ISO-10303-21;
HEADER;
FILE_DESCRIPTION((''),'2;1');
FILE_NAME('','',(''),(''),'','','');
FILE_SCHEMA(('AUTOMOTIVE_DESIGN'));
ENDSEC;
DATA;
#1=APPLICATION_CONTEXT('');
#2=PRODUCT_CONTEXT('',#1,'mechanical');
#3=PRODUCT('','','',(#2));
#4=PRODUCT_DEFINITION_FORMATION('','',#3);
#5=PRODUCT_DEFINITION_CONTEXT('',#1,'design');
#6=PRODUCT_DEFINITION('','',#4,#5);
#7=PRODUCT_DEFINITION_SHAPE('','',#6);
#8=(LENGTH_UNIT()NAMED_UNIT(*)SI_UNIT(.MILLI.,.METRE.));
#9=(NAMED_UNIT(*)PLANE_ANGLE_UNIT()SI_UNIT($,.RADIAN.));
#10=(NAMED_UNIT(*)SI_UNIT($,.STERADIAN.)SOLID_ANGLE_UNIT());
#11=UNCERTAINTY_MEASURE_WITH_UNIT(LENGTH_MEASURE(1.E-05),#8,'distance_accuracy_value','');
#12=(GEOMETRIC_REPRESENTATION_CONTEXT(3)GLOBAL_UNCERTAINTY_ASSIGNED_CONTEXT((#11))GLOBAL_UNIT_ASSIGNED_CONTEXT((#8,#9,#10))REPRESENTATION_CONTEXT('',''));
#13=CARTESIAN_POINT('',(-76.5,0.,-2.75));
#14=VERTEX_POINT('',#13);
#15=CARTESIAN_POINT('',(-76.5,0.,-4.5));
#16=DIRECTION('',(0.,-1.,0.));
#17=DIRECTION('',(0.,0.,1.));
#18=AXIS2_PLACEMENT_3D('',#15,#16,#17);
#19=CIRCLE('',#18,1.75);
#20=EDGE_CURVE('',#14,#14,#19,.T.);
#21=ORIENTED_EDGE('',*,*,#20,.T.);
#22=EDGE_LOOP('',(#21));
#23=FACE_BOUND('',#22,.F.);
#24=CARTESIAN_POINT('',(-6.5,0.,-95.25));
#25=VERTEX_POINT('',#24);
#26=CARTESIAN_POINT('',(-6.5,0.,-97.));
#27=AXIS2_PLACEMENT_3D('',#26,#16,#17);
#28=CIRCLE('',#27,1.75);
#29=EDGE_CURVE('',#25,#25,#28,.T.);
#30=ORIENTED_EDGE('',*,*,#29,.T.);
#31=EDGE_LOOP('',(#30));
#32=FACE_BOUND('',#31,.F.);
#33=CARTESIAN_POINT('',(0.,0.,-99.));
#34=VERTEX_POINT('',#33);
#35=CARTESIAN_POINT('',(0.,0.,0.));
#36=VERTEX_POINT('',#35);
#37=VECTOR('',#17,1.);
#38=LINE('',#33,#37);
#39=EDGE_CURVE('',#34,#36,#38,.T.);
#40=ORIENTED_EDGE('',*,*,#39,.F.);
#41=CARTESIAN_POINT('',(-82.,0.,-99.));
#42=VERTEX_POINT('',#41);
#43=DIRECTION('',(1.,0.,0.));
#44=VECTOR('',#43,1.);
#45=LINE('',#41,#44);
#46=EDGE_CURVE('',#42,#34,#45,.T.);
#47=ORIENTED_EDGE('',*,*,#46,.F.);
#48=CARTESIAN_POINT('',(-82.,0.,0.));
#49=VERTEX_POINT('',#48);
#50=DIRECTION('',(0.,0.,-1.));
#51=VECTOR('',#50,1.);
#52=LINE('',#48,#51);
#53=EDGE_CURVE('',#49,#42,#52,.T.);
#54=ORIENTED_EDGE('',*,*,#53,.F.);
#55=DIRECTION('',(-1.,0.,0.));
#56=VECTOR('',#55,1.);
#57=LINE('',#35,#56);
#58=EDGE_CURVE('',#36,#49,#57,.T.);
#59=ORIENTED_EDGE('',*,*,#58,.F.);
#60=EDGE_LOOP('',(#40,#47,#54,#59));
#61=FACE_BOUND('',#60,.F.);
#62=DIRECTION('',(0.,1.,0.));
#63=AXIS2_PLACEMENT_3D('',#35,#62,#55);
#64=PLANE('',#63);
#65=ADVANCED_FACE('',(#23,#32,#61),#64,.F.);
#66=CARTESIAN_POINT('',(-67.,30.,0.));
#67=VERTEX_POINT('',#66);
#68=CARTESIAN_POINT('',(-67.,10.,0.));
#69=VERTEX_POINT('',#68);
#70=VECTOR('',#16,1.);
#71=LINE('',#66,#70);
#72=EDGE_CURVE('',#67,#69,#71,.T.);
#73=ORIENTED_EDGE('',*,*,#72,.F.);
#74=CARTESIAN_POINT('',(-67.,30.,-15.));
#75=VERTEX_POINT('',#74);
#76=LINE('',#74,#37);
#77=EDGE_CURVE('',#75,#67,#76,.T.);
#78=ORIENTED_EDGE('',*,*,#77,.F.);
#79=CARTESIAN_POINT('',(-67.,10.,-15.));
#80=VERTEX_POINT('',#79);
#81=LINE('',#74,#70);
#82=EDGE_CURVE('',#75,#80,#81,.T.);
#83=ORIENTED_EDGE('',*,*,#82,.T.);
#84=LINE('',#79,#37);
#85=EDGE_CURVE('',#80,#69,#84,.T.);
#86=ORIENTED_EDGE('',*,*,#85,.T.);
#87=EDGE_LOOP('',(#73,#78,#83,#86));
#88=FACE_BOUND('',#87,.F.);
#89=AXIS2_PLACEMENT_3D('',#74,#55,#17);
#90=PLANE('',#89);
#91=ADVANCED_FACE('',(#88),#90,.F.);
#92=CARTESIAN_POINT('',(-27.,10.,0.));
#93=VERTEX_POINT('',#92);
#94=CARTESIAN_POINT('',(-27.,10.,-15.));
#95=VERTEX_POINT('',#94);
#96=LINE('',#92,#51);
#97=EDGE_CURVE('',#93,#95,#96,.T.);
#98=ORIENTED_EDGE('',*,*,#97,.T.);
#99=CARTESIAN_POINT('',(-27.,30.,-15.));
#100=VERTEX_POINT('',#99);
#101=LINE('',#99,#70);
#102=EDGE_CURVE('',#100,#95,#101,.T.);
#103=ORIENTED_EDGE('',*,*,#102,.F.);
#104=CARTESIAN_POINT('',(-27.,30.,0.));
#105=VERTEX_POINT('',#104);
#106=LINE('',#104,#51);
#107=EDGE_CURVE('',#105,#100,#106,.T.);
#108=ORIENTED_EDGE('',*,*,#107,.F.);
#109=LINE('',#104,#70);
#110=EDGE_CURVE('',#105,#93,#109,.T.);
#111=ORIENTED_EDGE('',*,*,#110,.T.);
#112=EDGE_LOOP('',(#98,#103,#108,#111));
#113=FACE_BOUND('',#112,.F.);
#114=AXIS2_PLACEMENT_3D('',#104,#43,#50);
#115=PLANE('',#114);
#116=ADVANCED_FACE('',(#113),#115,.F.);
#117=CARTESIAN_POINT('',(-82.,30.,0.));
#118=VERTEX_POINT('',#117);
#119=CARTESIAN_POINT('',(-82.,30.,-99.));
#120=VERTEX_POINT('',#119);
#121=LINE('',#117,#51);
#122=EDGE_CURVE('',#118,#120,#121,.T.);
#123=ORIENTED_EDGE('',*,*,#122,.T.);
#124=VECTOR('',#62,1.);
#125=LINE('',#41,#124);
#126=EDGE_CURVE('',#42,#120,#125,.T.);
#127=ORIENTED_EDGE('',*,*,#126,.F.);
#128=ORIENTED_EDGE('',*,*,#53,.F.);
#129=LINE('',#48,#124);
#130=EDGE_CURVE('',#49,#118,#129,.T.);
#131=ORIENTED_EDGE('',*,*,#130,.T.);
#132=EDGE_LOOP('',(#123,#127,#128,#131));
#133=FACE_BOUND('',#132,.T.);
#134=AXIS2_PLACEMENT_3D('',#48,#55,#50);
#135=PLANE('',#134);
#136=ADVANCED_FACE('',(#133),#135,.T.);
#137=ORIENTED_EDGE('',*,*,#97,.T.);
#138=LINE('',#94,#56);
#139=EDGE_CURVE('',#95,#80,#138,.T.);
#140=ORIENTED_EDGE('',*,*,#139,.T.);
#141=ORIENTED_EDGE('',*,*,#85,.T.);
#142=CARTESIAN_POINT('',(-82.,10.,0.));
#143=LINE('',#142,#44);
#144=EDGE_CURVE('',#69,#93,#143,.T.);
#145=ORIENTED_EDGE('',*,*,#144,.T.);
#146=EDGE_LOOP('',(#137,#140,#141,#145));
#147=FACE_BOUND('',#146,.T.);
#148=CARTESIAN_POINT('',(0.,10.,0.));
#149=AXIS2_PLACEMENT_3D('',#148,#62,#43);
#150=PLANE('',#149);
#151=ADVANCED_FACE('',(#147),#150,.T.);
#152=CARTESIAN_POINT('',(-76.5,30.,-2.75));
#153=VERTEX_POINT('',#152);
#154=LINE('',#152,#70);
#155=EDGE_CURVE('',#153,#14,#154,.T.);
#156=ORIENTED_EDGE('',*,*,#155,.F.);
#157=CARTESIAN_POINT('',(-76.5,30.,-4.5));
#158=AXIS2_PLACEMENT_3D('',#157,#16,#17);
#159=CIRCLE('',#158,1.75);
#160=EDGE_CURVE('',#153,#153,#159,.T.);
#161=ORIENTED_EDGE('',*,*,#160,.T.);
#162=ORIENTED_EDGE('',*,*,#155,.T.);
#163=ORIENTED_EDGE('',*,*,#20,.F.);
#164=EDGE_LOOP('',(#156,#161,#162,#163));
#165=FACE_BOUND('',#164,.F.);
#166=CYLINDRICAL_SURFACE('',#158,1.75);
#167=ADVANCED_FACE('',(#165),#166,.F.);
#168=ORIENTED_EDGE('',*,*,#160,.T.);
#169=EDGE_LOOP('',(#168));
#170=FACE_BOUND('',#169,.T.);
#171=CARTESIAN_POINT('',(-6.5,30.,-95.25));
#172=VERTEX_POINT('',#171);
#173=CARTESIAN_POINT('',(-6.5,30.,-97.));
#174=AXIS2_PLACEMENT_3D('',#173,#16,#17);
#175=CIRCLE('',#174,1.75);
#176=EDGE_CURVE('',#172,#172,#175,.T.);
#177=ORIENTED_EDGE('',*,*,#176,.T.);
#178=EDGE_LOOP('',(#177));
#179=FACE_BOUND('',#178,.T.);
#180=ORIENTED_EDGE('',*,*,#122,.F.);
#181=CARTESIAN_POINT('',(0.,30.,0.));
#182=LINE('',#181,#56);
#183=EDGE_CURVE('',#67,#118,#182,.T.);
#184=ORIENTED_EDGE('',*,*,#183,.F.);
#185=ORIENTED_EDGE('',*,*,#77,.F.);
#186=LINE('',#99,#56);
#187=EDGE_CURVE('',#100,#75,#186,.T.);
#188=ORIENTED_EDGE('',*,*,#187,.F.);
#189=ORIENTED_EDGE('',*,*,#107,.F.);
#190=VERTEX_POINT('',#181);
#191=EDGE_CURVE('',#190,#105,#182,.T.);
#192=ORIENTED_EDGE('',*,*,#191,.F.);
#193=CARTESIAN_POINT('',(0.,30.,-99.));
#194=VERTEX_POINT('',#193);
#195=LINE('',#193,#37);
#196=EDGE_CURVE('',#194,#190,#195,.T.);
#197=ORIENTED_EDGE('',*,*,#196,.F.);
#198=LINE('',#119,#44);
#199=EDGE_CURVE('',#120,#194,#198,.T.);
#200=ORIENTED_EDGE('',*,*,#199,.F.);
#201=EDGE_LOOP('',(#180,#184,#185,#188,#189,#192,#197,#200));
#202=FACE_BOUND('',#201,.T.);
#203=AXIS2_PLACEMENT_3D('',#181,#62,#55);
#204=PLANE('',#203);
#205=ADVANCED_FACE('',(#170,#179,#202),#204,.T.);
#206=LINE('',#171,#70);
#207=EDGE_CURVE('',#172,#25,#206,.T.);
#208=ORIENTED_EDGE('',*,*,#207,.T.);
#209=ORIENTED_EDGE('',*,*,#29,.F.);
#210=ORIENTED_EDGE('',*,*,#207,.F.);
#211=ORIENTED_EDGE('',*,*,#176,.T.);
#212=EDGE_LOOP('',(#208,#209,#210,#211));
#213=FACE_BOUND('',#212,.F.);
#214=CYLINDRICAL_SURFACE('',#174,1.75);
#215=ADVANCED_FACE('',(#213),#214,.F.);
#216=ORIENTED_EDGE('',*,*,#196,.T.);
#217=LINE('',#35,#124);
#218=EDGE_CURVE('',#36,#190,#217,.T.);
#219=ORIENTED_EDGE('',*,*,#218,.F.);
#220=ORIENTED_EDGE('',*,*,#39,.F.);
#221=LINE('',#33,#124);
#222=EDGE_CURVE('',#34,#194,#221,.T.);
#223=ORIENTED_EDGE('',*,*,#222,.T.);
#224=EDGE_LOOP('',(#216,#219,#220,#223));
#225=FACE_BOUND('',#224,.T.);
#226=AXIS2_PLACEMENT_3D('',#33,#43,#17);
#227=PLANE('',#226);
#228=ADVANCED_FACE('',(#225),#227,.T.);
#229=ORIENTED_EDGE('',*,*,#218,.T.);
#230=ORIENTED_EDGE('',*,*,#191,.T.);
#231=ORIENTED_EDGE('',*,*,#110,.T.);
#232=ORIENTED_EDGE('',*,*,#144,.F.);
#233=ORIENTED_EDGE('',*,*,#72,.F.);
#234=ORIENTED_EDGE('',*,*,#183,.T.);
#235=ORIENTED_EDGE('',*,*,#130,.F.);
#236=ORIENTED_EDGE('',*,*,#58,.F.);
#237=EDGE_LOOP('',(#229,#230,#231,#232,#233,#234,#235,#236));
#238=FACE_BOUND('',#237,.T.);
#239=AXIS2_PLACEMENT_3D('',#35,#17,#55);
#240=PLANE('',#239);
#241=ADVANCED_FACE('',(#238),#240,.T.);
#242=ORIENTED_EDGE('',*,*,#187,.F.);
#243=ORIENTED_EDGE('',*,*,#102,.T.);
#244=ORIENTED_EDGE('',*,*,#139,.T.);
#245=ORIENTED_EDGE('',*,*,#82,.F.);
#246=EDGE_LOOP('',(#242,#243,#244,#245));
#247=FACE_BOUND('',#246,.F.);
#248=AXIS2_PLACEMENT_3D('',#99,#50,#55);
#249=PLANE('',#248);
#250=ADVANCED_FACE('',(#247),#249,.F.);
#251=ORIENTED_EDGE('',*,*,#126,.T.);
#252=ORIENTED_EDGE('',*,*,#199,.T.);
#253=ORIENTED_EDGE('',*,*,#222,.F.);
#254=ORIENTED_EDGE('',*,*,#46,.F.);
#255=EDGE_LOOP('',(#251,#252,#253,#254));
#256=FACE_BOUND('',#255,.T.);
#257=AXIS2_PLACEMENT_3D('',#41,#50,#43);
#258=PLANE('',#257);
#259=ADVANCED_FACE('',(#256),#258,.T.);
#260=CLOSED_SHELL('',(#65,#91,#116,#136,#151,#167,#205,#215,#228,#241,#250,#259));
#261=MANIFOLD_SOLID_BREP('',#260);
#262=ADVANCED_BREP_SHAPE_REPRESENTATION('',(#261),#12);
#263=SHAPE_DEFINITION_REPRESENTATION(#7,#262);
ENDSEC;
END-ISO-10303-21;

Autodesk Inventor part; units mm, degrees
ref_plane "YZ Plane" through (0, 0, 0) normal (1, 0, 0) x (0, 1, 0)
ref_plane "XZ Plane" through (0, 0, 0) normal (0, 1, 0) x (-1, 0, 0)
ref_plane "XY Plane" through (0, 0, 0) normal (0, 0, 1) x (1, 0, 0)
sketch "Skizze1" plane through (0, 0, 0) normal (0, 1, 0) x (-1, 0, 0)
  line L0 (0, 0) -> (82, 0)
  line L1 (82, 0) -> (82, -99)
  line L2 (82, -99) -> (0, -99)
  line L3 (0, -99) -> (0, 0)
  dimension "d0" = 82
  dimension "d1" = 99
extrude "Extrusion1" add sketch "Skizze1" along normal blind 30
sketch "Skizze2" plane through (0, 30, 0) normal (0, 1, 0) x (1, 0, 0)
  point P0 (0, 0)
sketch "Skizze3" plane through (0, 30, 0) normal (0, 1, 0) x (1, 0, 0)
  line L0 (-82, 0) -> (0, 0) projected
  line L1 (0, 0) -> (0, 99) projected
  point P0 (-76.5, 4.5)
  point P1 (-6.5, 97)
  dimension "d4" = 4.5
  dimension "d5" = 92.5
  dimension "d7" = 6.5
  dimension "d8" = 70
hole "Bohrung1" at (-76.5, 30, -4.5) at (-6.5, 30, -97) direction (0, -1, 0) diameter 3.5 end through all
sketch "Skizze4" plane through (0, 30, 0) normal (0, 1, 0) x (1, 0, 0)
  line L0 (-82, 0) -> (0, 0) projected
  line L1 (-67, 0) -> (-27, 0)
  line L2 (-27, 0) -> (-27, 15)
  line L3 (-27, 15) -> (-67, 15)
  line L4 (-67, 15) -> (-67, 0)
  line L5 (-82, 99) -> (-82, 0) projected
  dimension "d16" = 15
  dimension "d17" = 15
  dimension "d18" = 40
extrude "Extrusion2" cut sketch "Skizze4" against normal blind 20
properties part number "PSU" material "Stahl, weich"
